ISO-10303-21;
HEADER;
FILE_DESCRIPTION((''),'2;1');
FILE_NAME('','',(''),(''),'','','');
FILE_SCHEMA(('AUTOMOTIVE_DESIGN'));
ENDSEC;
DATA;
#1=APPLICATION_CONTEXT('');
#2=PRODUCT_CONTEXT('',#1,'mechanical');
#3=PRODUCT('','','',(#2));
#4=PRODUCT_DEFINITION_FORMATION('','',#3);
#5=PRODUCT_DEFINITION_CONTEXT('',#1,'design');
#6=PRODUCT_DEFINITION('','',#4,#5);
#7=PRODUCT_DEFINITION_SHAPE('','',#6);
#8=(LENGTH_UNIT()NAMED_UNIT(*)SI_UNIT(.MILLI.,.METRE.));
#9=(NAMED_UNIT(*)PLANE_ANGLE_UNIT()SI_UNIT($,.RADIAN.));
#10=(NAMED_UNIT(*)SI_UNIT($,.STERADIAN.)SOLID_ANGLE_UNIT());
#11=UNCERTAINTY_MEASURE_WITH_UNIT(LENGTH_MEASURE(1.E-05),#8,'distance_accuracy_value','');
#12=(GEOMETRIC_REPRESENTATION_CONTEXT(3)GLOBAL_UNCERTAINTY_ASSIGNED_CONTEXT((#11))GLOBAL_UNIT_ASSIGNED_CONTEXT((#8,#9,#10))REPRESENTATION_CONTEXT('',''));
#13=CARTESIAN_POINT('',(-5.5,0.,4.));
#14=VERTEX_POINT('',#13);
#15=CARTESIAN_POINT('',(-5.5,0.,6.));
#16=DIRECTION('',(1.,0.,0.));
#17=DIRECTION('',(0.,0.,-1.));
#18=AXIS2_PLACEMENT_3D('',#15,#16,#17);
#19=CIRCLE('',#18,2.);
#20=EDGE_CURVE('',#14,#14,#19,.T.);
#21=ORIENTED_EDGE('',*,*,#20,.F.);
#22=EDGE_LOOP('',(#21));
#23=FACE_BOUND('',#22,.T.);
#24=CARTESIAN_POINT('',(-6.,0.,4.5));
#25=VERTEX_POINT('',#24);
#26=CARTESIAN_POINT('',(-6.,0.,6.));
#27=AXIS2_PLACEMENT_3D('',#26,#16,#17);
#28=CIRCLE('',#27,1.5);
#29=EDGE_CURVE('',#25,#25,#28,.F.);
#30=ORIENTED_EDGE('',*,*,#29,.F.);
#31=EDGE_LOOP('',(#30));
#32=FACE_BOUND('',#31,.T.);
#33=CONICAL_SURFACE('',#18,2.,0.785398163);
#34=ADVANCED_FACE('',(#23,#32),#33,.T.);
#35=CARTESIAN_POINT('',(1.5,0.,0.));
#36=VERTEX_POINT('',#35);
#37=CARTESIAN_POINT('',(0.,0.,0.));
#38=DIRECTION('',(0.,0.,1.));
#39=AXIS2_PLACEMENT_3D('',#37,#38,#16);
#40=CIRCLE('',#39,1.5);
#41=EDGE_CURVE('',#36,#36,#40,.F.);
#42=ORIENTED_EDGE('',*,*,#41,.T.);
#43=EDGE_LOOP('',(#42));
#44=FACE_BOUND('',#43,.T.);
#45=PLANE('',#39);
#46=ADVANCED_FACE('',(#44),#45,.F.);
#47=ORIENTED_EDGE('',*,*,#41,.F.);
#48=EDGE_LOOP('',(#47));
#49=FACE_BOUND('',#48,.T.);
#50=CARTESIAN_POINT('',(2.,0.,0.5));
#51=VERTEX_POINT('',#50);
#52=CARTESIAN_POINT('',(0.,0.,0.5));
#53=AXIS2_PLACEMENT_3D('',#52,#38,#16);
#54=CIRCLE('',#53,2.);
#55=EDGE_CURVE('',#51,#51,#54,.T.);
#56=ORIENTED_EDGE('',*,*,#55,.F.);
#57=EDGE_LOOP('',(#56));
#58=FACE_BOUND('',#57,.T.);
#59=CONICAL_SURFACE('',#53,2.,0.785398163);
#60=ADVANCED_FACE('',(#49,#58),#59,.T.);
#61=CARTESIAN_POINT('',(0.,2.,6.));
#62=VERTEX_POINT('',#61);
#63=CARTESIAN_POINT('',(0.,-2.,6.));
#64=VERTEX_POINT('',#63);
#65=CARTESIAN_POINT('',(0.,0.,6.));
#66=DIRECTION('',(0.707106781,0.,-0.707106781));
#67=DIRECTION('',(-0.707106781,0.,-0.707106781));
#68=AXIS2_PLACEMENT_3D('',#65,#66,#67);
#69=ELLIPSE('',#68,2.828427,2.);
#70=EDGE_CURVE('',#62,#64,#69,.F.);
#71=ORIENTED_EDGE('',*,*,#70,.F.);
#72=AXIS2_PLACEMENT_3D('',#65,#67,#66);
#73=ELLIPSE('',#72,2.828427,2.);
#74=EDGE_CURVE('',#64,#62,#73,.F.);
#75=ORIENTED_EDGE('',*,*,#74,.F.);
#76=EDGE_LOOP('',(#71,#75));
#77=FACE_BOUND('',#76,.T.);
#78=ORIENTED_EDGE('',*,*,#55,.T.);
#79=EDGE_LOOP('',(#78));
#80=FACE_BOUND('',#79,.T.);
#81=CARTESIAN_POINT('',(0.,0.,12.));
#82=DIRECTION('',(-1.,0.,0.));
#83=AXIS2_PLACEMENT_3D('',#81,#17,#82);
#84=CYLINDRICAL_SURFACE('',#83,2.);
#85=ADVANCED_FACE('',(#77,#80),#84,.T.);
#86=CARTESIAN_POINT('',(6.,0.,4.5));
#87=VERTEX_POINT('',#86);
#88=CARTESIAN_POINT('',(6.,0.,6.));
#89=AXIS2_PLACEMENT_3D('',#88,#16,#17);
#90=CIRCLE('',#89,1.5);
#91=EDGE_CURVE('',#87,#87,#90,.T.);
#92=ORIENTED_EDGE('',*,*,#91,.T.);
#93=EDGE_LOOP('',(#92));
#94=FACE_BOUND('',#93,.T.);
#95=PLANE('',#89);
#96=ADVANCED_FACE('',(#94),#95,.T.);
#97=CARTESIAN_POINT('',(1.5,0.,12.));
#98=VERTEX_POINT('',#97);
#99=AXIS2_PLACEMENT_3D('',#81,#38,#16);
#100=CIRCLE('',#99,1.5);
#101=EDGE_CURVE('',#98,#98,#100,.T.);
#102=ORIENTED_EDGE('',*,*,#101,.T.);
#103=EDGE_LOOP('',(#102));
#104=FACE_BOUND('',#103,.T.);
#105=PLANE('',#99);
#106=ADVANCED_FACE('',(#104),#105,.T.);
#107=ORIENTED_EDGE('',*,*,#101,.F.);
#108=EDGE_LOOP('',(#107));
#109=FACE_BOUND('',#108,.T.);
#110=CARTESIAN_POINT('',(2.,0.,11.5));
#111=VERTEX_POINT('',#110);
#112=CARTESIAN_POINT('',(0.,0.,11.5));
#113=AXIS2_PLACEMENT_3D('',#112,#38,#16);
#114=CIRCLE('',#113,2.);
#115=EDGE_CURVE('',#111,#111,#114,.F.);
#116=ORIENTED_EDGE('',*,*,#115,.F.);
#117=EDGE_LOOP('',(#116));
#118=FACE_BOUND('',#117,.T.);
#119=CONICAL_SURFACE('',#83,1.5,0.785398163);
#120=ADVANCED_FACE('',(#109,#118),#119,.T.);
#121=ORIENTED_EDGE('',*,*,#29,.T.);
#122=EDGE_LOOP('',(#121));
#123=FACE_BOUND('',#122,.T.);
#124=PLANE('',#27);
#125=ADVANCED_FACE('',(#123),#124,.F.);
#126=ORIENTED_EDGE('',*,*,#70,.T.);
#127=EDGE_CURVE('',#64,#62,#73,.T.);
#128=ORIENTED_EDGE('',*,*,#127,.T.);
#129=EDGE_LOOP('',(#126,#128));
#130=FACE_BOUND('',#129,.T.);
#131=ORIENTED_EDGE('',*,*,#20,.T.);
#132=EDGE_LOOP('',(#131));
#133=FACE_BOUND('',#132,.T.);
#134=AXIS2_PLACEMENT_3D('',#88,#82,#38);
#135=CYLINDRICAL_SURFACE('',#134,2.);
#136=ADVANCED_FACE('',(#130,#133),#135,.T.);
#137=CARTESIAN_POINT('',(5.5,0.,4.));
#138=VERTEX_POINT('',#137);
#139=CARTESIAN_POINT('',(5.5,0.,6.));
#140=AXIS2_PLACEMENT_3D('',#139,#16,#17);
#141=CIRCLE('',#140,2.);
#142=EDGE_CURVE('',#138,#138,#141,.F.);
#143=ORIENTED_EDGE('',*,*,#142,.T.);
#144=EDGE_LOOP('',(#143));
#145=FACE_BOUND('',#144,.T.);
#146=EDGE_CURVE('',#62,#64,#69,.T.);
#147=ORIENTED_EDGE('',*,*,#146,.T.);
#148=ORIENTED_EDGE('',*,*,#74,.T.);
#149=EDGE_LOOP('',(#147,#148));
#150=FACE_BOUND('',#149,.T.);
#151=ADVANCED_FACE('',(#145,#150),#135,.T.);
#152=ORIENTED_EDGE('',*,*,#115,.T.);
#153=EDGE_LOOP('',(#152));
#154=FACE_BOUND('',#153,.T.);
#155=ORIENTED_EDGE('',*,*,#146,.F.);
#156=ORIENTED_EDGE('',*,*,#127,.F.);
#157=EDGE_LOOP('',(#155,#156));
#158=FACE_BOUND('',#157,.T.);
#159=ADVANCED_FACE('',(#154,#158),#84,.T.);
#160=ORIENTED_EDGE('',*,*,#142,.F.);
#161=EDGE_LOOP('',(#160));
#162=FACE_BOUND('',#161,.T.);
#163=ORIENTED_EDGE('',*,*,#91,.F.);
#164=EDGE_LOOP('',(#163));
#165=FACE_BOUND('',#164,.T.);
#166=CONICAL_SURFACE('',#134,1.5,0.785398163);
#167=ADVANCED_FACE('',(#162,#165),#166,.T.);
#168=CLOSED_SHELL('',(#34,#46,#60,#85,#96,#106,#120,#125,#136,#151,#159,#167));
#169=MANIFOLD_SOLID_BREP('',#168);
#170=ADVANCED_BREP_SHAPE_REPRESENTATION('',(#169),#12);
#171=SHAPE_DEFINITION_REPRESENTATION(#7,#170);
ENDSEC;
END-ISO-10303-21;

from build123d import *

# Parameters (mm, degrees)
SKETCH1_R           = 2
BOSS_EXTRUDE1_DEPTH = 12
SKETCH3_R           = 2
BOSS_EXTRUDE2_DEPTH = 6
CHAMFER1_SIZE       = 0.5
CHAMFER2_SIZE       = 0.5


with BuildPart() as part:
    # Sketch1 → Boss-Extrude1 (new body)
    with BuildSketch(Plane.XY):
        Circle(SKETCH1_R)
    extrude(amount=BOSS_EXTRUDE1_DEPTH)

    # Sketch3 → Boss-Extrude2 (add, symmetric)
    with BuildSketch(Plane(origin=(0, 0, 0), x_dir=(0, 0, -1), z_dir=(1, 0, 0))):
        with Locations(Location((-6, 0, 0), (0, 0, 270))):
            Circle(SKETCH3_R)
    extrude(amount=BOSS_EXTRUDE2_DEPTH, both=True)

    # Chamfer1
    chamfer1_edges = [part.edges().sort_by_distance(p)[0] for p in [
        (6, 2, 6),
    ]]
    chamfer(chamfer1_edges, length=CHAMFER1_SIZE)

    # Chamfer2
    chamfer2_edges = [part.edges().sort_by_distance(p)[0] for p in [
        (-2, 0, 0),
        (-2, 0, 12),
        (-6, 2, 6),
    ]]
    chamfer(chamfer2_edges, length=CHAMFER2_SIZE)


solid = part.part
